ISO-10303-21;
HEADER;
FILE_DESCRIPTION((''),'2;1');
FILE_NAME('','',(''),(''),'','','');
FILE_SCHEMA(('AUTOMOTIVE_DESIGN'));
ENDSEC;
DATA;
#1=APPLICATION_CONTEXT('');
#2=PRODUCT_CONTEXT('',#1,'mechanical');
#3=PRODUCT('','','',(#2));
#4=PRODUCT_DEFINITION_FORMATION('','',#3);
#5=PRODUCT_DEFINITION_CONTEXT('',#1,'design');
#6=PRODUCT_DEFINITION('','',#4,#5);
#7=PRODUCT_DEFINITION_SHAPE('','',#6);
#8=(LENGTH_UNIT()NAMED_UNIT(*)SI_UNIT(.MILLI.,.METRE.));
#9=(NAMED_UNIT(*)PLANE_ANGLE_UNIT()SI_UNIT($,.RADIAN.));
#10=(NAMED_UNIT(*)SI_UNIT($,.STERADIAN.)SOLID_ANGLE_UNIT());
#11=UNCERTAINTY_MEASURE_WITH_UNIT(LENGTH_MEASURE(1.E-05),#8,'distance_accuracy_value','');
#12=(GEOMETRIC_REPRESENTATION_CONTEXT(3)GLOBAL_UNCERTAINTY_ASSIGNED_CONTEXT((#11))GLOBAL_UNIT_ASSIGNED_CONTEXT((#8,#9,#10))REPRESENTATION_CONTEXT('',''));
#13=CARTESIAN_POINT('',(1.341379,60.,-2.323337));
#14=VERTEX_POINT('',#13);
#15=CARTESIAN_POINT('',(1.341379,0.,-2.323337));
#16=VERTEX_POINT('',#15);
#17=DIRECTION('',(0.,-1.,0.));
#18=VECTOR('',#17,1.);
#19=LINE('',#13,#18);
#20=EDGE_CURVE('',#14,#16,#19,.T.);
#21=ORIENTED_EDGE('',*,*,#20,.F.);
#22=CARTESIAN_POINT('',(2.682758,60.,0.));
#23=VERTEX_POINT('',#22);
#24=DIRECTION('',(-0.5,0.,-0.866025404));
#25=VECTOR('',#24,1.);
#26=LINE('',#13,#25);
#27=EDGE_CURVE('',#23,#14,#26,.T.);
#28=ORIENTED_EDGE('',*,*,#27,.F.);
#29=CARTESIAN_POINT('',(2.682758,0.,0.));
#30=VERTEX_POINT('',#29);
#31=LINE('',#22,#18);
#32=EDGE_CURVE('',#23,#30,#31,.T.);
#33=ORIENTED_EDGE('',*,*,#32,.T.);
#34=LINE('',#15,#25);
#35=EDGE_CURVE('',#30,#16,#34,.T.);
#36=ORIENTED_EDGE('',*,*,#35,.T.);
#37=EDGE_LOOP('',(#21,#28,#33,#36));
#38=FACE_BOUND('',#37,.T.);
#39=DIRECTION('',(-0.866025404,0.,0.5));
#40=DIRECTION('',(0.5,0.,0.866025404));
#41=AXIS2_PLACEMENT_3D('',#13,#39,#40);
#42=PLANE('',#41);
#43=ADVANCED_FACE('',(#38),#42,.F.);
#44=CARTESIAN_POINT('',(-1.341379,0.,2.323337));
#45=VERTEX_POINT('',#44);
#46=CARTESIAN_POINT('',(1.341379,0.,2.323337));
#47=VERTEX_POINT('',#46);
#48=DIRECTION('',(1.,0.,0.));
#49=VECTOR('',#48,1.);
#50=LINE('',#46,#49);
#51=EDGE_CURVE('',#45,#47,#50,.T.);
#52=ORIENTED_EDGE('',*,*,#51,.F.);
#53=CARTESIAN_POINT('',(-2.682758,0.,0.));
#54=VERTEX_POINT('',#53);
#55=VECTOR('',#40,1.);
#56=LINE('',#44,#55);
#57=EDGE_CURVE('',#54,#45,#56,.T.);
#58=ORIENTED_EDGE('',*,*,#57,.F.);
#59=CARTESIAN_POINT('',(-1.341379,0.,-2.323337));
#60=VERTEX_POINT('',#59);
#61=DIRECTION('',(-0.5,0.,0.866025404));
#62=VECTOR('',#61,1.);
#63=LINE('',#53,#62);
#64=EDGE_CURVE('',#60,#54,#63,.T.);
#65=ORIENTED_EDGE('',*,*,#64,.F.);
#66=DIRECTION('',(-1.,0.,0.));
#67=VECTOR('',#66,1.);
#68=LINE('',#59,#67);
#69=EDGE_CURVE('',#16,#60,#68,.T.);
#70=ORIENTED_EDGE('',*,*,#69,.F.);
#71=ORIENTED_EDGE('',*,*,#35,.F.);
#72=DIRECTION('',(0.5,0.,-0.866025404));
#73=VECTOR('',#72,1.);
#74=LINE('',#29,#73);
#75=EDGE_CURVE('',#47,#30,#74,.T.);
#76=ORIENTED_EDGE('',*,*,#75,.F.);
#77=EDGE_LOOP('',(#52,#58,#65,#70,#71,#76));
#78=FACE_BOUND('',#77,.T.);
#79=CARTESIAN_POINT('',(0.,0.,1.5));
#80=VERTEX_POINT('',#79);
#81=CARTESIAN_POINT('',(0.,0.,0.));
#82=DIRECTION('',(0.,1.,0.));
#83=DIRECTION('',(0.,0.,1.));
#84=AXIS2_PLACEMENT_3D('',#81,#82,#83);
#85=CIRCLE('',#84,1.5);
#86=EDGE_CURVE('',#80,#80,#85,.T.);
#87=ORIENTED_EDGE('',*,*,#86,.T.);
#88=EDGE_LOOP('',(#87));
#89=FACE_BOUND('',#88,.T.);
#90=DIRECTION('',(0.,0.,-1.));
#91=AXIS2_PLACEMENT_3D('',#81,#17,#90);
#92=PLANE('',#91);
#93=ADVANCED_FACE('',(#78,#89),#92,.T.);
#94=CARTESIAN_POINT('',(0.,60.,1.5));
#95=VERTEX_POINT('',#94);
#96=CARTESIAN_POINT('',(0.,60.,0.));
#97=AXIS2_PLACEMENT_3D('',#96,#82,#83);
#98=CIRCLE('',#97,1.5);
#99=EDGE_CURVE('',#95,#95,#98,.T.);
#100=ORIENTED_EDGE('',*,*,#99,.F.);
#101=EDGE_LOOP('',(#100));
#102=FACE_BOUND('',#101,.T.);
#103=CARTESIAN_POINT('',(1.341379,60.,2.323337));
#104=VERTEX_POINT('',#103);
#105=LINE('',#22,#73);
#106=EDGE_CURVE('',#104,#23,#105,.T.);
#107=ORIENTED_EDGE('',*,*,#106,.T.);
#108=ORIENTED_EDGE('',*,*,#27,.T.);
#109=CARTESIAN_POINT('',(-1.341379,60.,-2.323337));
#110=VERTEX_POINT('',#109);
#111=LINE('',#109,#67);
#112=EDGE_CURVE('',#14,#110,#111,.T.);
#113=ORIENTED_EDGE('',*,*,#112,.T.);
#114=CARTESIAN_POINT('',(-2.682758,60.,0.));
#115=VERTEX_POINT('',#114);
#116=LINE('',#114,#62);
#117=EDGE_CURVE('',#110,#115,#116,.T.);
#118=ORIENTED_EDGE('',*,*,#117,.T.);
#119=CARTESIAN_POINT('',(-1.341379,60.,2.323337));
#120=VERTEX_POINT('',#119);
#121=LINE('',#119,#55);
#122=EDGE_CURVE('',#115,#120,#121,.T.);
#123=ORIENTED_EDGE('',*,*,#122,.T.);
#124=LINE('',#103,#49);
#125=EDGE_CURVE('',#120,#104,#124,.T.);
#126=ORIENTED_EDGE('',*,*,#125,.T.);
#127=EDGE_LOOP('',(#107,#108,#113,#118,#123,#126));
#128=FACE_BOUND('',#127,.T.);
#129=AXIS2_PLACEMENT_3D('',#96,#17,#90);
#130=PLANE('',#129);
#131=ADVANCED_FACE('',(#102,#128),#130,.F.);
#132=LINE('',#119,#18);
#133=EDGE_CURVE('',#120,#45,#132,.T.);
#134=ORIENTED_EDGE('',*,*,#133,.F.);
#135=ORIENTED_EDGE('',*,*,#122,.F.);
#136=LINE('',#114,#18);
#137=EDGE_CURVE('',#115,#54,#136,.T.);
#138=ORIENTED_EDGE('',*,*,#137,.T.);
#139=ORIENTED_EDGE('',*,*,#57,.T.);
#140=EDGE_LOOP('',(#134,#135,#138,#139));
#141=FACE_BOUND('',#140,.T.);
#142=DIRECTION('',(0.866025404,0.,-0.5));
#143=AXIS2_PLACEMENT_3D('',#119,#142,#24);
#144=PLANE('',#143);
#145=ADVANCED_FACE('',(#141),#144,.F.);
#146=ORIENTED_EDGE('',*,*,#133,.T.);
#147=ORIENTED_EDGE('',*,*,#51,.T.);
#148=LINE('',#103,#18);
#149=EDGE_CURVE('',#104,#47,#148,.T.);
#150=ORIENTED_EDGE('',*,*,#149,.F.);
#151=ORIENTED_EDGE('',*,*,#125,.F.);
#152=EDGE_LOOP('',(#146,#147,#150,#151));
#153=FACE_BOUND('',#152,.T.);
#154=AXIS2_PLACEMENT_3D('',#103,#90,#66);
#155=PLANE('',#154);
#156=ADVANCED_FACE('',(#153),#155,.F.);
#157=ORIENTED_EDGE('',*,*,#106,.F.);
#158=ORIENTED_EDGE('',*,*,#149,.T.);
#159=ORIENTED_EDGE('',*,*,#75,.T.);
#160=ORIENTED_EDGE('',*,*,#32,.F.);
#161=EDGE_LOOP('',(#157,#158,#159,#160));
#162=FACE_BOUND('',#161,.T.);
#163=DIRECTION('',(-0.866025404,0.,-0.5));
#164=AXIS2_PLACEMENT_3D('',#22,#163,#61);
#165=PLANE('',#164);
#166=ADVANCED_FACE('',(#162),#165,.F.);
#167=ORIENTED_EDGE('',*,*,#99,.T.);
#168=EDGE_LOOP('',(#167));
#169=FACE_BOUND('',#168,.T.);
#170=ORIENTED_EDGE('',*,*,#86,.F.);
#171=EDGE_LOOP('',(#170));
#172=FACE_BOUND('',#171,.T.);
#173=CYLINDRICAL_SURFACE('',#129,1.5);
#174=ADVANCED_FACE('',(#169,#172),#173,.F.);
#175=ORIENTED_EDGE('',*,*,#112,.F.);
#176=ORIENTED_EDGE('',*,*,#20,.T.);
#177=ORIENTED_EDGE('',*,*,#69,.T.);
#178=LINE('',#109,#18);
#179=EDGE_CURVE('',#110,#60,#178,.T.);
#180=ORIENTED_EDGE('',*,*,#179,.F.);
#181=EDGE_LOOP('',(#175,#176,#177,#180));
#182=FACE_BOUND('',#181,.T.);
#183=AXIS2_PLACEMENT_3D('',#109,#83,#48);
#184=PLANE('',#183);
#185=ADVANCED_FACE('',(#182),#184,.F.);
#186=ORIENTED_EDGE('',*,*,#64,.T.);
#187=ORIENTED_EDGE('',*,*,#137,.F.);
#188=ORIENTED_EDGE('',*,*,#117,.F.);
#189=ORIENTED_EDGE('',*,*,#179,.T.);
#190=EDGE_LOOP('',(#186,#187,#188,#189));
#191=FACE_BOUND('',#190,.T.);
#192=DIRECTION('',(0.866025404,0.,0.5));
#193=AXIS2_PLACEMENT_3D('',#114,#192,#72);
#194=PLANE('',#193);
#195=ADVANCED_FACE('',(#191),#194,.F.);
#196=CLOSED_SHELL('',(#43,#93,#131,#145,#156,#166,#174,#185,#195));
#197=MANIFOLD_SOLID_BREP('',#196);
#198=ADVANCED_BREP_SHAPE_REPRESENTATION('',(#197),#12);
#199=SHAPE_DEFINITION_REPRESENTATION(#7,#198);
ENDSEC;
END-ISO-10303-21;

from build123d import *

# Parameters (mm, degrees)
SKETCH1_R           = 1.5
BOSS_EXTRUDE1_DEPTH = 60


with BuildPart() as part:
    # Sketch1 → Boss-Extrude1 (new body)
    with BuildSketch(Plane(origin=(0, 0, 0), x_dir=(1, 0, 0), z_dir=(0, 1, 0))):
        Polygon((1.341379, 2.32333658), (2.682757999, 0), (1.341379, -2.32333658), (-1.341379, -2.32333658), (-2.682757999, 0), (-1.341379, 2.32333658), align=None)
        Circle(SKETCH1_R, mode=Mode.SUBTRACT)
    extrude(amount=BOSS_EXTRUDE1_DEPTH)


solid = part.part
